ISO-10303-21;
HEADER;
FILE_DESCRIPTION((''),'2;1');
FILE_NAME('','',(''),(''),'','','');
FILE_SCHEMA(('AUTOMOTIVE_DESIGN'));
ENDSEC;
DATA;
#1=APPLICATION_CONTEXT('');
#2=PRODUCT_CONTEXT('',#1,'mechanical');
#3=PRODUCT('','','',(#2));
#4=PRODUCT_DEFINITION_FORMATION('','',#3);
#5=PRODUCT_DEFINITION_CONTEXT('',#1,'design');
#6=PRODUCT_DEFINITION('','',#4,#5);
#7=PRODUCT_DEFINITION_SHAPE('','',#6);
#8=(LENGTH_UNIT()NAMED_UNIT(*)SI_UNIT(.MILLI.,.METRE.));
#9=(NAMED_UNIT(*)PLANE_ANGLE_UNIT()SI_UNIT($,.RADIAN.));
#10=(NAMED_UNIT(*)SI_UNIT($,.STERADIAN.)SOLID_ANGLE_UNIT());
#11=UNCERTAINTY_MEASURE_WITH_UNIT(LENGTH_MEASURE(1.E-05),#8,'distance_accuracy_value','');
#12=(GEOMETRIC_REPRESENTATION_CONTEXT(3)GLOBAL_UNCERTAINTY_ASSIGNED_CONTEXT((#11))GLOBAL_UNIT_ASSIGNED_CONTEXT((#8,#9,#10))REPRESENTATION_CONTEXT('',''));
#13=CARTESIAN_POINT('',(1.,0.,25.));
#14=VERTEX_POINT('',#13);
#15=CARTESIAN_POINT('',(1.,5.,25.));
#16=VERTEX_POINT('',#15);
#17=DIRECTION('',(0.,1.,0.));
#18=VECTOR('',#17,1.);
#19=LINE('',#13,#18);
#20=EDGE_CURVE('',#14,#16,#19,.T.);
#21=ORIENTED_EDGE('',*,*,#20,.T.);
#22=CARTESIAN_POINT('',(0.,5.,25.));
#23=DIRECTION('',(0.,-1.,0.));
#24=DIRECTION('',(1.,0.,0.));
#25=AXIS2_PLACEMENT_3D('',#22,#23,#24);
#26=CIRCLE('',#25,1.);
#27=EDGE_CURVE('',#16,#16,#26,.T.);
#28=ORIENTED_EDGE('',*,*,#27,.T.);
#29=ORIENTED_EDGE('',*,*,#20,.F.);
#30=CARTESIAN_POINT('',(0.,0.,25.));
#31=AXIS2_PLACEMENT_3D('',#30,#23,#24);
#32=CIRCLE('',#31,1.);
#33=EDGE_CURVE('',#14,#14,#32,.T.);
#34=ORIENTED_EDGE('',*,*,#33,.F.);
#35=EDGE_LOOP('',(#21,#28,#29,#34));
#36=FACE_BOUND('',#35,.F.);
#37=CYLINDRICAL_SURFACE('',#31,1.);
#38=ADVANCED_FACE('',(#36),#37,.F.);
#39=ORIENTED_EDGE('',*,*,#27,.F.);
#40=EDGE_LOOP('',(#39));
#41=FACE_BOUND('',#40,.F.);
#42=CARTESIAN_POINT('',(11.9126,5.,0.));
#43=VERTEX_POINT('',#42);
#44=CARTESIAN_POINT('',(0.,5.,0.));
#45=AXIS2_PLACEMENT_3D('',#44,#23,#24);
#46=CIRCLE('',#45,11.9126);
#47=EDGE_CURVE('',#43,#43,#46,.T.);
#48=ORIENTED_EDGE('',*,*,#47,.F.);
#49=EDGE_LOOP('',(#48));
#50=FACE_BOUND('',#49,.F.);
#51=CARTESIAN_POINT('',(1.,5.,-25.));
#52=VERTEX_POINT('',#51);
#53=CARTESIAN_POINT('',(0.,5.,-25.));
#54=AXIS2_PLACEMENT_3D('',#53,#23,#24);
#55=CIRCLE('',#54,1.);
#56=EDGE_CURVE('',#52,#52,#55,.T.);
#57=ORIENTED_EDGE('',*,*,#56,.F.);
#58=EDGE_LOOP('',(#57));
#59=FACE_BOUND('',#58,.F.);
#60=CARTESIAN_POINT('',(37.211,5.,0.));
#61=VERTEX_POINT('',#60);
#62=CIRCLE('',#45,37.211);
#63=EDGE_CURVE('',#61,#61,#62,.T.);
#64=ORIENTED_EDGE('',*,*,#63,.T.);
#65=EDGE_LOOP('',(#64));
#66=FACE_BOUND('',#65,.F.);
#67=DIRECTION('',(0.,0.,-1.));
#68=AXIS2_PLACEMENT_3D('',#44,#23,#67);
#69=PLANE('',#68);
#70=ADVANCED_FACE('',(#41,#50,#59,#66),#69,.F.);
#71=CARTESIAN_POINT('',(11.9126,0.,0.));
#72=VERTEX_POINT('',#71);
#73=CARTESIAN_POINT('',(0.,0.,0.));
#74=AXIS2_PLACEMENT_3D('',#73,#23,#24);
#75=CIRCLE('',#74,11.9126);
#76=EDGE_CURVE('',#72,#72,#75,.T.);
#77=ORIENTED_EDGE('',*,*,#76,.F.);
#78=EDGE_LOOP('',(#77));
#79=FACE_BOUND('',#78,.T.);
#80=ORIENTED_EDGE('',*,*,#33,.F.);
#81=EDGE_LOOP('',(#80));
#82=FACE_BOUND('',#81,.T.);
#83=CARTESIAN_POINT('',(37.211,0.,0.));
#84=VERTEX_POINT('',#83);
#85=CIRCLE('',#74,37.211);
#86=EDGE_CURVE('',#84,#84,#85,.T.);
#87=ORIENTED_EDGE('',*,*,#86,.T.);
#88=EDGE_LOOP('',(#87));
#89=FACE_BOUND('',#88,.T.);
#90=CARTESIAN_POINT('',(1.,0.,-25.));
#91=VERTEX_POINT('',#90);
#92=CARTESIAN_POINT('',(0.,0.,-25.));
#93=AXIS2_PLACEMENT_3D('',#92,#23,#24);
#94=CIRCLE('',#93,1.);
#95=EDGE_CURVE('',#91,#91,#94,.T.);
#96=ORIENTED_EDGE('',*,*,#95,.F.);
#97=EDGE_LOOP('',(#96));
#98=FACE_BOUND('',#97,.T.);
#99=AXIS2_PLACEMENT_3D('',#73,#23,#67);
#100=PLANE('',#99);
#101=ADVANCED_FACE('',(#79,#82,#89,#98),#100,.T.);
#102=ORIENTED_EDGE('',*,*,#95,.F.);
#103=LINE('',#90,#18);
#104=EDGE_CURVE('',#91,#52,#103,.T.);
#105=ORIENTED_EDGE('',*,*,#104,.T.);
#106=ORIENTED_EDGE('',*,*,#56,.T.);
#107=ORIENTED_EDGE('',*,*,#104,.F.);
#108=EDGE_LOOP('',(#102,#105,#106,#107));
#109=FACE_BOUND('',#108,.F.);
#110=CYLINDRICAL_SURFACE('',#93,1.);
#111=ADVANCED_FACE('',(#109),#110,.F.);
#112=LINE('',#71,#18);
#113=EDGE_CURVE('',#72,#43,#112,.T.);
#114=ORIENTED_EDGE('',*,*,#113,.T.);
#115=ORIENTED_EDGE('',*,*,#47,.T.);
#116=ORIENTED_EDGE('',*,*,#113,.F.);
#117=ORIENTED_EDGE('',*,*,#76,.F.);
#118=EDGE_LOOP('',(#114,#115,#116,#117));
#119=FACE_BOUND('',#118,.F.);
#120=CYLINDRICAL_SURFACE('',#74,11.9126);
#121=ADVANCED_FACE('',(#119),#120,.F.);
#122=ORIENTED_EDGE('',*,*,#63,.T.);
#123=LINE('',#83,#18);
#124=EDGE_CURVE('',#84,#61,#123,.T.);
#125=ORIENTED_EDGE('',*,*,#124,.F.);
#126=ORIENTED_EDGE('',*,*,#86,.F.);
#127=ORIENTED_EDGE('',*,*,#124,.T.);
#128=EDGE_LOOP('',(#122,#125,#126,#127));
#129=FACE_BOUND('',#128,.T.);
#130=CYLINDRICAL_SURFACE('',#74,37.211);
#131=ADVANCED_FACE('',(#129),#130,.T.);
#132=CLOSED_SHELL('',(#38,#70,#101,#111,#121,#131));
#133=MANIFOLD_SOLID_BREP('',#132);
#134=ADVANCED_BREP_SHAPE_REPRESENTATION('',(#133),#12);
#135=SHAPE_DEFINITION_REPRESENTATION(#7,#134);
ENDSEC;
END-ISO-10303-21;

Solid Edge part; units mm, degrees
sketch "Sketch1" plane through (0, 0, 0) normal (0, -1, 0) x (1, 0, 0)
  circle A0 centre (0, 0) radius 37.211
  circle A1 centre (0, 0) radius 11.9126
  dimension "D1" = 74.422
  dimension "D2" = 23.8252
extrude "Protrusion1" add sketch "Sketch1" against normal blind 5
extrude "Cutout1" [suppressed]
pattern "Pattern1" [suppressed]
sketch "Sketch2" plane through (0, 0, 0) normal (0, -1, 0) x (1, 0, 0)
  circle A0 centre (0, 25) radius 1
  circle A1 centre (0, -25) radius 1
  dimension "D1" = 2
  dimension "D2" = 25
  dimension "D3" = 25
extrude "Cutout2" cut sketch "Sketch2" against normal up to vertex (5 mm away)
